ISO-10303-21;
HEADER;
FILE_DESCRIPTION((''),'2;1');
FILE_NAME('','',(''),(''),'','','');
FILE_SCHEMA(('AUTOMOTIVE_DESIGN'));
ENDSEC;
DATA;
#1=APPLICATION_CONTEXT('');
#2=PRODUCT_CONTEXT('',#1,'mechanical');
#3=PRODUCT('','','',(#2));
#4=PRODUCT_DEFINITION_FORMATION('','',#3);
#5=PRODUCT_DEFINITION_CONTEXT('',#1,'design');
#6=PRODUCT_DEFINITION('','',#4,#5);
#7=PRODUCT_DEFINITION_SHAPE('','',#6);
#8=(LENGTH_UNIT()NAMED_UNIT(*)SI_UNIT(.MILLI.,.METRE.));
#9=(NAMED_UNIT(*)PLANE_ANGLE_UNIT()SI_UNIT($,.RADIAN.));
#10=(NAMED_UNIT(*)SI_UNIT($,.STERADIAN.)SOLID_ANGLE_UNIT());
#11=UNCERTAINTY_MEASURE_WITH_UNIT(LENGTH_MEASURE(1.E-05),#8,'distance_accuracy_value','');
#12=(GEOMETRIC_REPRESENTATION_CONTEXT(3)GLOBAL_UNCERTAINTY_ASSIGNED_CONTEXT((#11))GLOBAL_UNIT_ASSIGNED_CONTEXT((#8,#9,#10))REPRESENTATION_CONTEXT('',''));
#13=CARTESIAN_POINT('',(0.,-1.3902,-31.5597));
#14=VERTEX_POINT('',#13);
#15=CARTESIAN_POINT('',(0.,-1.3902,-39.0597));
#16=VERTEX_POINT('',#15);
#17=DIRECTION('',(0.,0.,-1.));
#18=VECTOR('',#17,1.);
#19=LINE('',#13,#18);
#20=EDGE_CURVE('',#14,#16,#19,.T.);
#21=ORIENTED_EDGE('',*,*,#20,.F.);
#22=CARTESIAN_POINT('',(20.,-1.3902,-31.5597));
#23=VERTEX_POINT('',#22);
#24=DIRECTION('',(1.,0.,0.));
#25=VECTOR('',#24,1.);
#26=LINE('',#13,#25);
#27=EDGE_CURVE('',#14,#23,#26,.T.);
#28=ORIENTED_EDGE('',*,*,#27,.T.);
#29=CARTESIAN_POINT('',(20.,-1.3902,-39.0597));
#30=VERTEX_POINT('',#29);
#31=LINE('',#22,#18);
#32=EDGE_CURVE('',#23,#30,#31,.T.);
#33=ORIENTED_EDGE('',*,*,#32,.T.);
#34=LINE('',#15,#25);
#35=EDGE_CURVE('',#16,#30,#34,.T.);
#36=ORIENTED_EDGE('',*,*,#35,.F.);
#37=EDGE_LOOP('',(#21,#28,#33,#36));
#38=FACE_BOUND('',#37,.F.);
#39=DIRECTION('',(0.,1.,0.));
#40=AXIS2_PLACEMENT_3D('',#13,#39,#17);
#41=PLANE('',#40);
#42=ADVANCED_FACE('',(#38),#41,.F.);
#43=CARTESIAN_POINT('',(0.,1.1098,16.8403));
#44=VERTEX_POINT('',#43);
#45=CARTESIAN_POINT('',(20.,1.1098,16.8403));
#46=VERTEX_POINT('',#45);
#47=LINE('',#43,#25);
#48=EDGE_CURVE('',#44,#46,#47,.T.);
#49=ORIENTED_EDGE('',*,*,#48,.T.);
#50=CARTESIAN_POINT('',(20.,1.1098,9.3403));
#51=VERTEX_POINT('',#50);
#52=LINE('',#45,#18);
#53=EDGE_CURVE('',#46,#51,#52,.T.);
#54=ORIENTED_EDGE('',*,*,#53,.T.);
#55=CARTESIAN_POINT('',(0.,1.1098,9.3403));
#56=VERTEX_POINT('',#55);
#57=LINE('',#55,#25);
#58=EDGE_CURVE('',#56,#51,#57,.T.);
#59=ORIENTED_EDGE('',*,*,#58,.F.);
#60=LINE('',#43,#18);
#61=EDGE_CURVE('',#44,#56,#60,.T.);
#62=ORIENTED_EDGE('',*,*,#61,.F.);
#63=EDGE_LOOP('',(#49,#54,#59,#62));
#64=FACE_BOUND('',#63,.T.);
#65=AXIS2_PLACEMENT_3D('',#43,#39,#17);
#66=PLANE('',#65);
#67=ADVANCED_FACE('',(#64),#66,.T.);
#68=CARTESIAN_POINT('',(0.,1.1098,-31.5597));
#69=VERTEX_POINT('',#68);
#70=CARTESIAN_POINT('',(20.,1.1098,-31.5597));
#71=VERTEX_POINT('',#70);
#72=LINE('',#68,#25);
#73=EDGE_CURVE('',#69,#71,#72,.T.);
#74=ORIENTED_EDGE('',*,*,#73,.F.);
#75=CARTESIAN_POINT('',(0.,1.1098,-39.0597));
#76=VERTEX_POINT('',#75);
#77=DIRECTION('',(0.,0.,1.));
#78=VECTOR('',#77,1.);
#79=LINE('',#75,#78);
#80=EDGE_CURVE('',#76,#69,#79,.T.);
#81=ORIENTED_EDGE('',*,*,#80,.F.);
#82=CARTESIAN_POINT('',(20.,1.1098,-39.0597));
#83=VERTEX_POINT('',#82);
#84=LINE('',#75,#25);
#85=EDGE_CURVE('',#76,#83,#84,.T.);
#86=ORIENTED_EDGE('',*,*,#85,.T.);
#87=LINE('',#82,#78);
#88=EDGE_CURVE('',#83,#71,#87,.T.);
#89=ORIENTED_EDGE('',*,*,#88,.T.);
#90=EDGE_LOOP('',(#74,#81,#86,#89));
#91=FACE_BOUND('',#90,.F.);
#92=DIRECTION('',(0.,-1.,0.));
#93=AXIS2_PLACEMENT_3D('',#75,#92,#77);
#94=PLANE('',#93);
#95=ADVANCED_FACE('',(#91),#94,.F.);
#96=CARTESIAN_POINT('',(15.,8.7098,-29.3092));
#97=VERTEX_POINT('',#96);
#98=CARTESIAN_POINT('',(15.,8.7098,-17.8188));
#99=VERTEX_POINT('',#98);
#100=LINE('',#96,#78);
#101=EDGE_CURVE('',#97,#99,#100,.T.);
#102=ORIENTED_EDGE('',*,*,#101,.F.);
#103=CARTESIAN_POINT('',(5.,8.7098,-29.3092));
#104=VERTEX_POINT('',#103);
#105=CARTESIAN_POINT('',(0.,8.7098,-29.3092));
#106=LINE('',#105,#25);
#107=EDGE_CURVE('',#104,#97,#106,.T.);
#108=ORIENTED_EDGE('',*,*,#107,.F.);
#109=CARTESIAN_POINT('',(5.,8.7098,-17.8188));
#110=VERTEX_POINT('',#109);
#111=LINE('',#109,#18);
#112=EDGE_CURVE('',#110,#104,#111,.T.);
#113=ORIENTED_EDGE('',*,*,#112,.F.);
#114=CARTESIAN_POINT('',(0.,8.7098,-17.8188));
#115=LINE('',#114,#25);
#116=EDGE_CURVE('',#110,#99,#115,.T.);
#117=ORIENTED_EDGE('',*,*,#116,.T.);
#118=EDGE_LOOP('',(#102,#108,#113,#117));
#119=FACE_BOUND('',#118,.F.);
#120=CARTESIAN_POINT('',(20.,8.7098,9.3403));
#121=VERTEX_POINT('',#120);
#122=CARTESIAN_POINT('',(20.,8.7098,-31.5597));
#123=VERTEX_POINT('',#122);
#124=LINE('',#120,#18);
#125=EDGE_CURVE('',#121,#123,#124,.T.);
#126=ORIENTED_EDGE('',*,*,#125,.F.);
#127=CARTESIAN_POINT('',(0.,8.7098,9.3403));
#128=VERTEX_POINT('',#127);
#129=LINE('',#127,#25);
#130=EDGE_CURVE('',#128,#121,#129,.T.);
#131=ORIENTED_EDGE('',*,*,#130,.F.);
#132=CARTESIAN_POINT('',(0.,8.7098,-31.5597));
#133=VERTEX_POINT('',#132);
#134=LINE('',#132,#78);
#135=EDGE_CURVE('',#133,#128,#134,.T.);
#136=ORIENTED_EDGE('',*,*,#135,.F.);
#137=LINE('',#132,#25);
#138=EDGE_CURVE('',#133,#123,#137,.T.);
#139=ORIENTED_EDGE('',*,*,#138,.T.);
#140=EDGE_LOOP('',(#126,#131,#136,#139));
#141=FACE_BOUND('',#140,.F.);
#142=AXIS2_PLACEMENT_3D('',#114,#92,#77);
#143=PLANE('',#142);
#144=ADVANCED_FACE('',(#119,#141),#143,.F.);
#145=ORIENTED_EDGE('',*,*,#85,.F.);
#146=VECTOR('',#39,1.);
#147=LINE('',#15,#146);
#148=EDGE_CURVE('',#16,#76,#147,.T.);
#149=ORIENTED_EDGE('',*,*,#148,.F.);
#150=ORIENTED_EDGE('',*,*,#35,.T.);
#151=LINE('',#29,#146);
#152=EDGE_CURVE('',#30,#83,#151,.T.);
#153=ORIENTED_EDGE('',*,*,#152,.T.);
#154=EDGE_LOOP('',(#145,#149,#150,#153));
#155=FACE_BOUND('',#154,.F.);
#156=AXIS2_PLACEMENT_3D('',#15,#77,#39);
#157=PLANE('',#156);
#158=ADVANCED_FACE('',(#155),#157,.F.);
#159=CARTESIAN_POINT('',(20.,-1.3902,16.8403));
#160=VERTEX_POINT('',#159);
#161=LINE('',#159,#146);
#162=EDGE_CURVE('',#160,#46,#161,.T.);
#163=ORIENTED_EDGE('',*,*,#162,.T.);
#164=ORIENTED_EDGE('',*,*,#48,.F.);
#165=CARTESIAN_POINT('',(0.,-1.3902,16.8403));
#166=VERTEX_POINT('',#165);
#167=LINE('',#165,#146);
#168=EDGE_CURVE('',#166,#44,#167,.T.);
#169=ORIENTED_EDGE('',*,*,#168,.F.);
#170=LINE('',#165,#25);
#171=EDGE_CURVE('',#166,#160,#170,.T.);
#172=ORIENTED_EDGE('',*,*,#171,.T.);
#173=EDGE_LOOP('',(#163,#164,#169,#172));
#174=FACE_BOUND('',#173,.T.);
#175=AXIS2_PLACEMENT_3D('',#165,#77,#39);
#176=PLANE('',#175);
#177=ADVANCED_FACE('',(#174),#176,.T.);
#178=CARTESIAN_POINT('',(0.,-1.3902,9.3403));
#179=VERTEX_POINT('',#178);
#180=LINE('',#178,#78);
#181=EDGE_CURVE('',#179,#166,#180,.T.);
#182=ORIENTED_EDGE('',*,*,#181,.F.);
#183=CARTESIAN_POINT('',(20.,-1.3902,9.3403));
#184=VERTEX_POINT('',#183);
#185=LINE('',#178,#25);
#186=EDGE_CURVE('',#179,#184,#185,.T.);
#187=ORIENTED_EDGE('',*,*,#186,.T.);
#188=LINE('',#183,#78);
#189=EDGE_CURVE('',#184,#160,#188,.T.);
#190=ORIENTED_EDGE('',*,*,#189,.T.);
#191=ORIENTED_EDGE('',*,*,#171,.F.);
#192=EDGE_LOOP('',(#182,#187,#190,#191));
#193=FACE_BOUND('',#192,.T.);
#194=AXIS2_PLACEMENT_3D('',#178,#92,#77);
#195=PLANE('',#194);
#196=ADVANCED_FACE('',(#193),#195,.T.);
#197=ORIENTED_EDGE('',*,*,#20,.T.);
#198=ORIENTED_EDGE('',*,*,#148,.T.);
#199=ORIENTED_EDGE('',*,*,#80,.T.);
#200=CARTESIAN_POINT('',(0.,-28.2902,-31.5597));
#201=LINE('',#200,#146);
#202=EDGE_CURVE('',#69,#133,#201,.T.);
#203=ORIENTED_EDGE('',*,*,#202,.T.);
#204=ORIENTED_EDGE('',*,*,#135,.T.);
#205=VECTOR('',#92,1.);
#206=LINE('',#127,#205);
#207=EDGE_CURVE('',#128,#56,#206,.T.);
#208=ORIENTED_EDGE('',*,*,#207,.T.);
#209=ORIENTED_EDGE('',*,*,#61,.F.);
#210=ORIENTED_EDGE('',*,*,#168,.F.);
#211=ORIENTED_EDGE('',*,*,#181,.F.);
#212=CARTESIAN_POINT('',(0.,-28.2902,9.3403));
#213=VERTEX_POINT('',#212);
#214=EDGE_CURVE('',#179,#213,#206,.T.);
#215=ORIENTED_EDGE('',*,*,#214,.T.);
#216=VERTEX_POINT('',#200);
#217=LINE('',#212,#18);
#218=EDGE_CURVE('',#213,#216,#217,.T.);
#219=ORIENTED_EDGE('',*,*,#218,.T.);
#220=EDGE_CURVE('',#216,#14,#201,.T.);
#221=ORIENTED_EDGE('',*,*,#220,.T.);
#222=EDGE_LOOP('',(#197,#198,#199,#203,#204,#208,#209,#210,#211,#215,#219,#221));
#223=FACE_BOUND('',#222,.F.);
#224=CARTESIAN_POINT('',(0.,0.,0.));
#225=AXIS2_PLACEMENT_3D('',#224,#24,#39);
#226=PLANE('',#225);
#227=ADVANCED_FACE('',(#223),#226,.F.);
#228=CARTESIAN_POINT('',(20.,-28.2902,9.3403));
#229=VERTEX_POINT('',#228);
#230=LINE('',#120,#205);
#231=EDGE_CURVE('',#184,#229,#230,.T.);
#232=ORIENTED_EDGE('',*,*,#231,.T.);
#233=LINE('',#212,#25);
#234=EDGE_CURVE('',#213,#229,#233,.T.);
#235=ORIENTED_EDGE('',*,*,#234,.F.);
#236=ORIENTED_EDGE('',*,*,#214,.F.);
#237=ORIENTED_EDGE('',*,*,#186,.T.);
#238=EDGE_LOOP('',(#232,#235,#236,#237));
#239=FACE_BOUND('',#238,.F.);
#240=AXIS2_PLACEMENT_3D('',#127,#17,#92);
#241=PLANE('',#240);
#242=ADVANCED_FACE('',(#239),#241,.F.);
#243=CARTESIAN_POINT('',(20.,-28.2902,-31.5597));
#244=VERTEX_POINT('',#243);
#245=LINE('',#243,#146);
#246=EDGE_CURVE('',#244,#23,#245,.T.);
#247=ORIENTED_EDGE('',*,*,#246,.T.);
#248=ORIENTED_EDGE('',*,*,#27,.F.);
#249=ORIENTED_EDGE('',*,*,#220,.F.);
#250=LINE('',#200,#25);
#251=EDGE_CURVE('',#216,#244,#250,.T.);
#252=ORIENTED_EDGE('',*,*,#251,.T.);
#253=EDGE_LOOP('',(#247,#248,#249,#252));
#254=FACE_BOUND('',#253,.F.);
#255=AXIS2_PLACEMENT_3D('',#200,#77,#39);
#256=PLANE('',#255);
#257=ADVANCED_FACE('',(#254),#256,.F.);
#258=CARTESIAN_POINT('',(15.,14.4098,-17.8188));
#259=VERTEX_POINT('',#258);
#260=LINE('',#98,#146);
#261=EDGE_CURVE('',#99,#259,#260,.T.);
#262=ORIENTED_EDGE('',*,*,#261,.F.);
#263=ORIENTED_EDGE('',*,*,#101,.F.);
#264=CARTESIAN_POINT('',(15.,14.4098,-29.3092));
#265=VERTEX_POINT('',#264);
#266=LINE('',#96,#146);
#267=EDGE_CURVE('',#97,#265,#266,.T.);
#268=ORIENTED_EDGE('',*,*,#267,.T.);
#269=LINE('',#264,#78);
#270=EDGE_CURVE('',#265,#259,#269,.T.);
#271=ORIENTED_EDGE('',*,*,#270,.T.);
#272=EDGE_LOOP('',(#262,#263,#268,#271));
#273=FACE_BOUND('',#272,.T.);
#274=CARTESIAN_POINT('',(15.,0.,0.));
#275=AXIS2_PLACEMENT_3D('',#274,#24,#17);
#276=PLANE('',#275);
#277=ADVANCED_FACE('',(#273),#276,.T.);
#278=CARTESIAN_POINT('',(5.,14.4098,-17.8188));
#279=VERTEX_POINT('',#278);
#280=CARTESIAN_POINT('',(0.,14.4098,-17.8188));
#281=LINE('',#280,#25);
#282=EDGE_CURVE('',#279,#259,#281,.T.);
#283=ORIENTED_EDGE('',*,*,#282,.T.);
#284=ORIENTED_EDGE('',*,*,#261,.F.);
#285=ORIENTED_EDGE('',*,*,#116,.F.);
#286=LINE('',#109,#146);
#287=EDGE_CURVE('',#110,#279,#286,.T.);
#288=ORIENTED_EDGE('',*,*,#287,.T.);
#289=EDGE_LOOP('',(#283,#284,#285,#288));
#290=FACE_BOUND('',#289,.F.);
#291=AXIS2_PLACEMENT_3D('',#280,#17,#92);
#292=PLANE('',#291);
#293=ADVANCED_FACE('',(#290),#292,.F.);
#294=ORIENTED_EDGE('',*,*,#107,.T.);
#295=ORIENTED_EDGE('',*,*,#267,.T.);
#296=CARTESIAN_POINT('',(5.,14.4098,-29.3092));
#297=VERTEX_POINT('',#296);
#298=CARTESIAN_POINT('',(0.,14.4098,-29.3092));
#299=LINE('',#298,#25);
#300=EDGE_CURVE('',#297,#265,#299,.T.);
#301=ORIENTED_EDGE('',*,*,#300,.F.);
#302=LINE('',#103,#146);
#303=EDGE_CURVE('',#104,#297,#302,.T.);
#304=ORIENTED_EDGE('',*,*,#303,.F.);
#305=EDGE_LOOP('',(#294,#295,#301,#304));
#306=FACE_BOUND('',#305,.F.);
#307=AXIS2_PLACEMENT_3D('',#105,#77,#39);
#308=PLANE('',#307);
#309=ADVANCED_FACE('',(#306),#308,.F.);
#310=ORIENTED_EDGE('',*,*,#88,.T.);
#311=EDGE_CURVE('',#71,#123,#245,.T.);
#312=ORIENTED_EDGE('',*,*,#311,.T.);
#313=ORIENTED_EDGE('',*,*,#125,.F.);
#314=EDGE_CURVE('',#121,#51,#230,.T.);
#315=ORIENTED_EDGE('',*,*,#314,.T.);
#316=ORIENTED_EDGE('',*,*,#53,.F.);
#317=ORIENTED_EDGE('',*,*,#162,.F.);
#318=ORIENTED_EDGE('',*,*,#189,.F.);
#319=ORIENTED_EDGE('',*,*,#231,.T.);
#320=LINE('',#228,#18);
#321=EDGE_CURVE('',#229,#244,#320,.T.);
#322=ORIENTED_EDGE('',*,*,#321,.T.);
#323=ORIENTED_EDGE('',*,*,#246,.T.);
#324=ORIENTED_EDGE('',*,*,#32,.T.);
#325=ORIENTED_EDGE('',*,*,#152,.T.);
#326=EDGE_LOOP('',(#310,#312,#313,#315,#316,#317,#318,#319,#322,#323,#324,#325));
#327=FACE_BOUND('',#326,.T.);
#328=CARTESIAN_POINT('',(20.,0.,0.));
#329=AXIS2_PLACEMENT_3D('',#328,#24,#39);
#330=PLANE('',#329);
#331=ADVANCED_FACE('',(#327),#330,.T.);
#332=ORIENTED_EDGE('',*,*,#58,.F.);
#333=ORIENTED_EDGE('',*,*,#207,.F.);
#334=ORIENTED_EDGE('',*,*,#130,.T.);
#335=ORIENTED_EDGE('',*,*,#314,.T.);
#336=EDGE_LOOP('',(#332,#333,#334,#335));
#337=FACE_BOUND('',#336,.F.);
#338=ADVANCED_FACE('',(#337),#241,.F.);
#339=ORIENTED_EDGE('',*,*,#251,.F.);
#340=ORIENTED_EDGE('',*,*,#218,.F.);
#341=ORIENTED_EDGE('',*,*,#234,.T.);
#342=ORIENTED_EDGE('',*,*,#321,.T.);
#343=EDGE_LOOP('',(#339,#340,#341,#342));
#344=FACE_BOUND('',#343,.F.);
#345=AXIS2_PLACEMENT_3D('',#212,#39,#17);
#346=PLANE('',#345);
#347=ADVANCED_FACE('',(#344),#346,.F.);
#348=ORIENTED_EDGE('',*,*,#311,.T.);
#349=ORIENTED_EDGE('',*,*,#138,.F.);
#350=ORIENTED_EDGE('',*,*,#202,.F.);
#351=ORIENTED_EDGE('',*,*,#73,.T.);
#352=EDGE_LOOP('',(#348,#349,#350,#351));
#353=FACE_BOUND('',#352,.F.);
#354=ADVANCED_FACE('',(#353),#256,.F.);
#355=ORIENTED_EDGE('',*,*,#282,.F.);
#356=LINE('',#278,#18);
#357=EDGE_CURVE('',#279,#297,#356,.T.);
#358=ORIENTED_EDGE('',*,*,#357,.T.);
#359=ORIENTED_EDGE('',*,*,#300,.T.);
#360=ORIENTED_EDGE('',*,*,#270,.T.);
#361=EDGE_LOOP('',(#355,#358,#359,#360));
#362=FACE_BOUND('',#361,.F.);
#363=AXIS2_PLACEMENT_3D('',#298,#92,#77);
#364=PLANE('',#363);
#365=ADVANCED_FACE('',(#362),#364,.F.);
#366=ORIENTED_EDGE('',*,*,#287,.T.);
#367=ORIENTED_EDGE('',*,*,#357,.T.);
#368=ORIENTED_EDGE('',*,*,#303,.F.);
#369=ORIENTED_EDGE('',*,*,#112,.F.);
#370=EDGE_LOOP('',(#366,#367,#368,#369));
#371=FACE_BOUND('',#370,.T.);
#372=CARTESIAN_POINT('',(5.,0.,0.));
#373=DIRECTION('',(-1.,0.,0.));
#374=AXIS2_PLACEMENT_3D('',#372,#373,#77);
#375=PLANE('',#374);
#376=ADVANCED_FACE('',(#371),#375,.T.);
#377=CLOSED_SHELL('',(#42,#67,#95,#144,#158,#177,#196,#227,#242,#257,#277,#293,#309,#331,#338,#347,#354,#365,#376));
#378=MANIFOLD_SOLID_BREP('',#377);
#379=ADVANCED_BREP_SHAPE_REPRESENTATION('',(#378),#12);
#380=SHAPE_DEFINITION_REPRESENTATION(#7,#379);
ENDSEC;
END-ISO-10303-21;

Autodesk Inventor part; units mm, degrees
ref_plane "YZ Plane" through (0, 0, 0) normal (1, 0, 0) x (0, 1, 0)
ref_plane "XZ Plane" through (0, 0, 0) normal (0, 1, 0) x (-1, 0, 0)
ref_plane "XY Plane" through (0, 0, 0) normal (0, 0, 1) x (1, 0, 0)
sketch "Sketch1" plane through (0, 0, 0) normal (1, 0, 0) x (0, 1, 0)
  line L0 (8.7098, 9.3403) -> (-28.2902, 9.3403)
  line L1 (-28.2902, 9.3403) -> (-28.2902, -31.5597)
  line L2 (-28.2902, -31.5597) -> (8.7098, -31.5597)
  line L3 (8.7098, -31.5597) -> (8.7098, 9.3403)
  line L4 (8.7098, -29.3092) -> (14.4098, -29.3092)
  line L5 (14.4098, -29.3092) -> (14.4098, -17.8188)
  line L6 (14.4098, -17.8188) -> (8.7098, -17.8188)
  line L7 (8.7098, -17.8188) -> (8.7098, -29.3092)
  point P0 (0, 0)
  dimension "d0" = 37
  dimension "d1" = 40.9
  dimension "d2" = 5.7
extrude "Extrusion1" add sketch "Sketch1" along normal blind 20
sketch "Sketch2" plane through (20, 0, 0) normal (1, 0, 0) x (0, 0, -1)
  line L0 (29.3092, 14.4098) -> (17.8188, 14.4098) projected
  line L1 (29.3092, 8.7098) -> (29.3092, 14.4098) projected
  line L2 (17.8188, 14.4098) -> (29.3092, 14.4098)
  line L3 (29.3092, 14.4098) -> (29.3092, 8.7098)
  line L4 (29.3092, 8.7098) -> (17.8188, 8.7098)
  line L5 (17.8188, 8.7098) -> (17.8188, 14.4098)
  point P0 (0, 0)
extrude "Extrusion2" cut sketch "Sketch2" against normal blind 5
sketch "Sketch3" plane through (0, 0, 0) normal (-1, 0, 0) x (0, 0, 1)
  line L0 (-17.8188, 14.4098) -> (-29.3092, 14.4098) projected
  line L1 (-17.8188, 8.7098) -> (-17.8188, 14.4098) projected
  line L2 (-29.3092, 14.4098) -> (-17.8188, 14.4098)
  line L3 (-17.8188, 14.4098) -> (-17.8188, 8.7098)
  line L4 (-17.8188, 8.7098) -> (-29.3092, 8.7098)
  line L5 (-29.3092, 8.7098) -> (-29.3092, 14.4098)
  point P0 (0, 0)
extrude "Extrusion3" cut sketch "Sketch3" against normal blind 5
sketch "Sketch4" plane through (0, 0, 0) normal (-1, 0, 0) x (0, 0, 1)
  line L0 (9.3403, -28.2902) -> (-31.5597, -28.2902) projected
  line L1 (9.3403, -28.2902) -> (9.3403, -1.3902)
  line L2 (9.3403, 8.7098) -> (9.3403, -28.2902) projected
  line L3 (9.3403, -1.3902) -> (16.8403, -1.3902)
  line L4 (16.8403, -1.3902) -> (16.8403, 1.1098)
  line L5 (16.8403, 1.1098) -> (9.3403, 1.1098)
  line L6 (9.3403, 1.1098) -> (9.3403, -1.3902)
  line L7 (-31.5597, -28.2902) -> (-31.5597, 8.7098) projected
  line L8 (-31.5597, -1.3902) -> (-39.0597, -1.3902)
  line L9 (-39.0597, -1.3902) -> (-39.0597, 1.1098)
  line L10 (-39.0597, 1.1098) -> (-31.5597, 1.1098)
  line L11 (-31.5597, 1.1098) -> (-31.5597, -1.3902)
  point P0 (0, 0)
  dimension "d9" = 26.9
  dimension "d10" = 7.5
  dimension "d11" = 2.5
  dimension "d12" = 7.5
extrude "Extrusion4" add sketch "Sketch4" against normal blind 20
properties part number "servo"
